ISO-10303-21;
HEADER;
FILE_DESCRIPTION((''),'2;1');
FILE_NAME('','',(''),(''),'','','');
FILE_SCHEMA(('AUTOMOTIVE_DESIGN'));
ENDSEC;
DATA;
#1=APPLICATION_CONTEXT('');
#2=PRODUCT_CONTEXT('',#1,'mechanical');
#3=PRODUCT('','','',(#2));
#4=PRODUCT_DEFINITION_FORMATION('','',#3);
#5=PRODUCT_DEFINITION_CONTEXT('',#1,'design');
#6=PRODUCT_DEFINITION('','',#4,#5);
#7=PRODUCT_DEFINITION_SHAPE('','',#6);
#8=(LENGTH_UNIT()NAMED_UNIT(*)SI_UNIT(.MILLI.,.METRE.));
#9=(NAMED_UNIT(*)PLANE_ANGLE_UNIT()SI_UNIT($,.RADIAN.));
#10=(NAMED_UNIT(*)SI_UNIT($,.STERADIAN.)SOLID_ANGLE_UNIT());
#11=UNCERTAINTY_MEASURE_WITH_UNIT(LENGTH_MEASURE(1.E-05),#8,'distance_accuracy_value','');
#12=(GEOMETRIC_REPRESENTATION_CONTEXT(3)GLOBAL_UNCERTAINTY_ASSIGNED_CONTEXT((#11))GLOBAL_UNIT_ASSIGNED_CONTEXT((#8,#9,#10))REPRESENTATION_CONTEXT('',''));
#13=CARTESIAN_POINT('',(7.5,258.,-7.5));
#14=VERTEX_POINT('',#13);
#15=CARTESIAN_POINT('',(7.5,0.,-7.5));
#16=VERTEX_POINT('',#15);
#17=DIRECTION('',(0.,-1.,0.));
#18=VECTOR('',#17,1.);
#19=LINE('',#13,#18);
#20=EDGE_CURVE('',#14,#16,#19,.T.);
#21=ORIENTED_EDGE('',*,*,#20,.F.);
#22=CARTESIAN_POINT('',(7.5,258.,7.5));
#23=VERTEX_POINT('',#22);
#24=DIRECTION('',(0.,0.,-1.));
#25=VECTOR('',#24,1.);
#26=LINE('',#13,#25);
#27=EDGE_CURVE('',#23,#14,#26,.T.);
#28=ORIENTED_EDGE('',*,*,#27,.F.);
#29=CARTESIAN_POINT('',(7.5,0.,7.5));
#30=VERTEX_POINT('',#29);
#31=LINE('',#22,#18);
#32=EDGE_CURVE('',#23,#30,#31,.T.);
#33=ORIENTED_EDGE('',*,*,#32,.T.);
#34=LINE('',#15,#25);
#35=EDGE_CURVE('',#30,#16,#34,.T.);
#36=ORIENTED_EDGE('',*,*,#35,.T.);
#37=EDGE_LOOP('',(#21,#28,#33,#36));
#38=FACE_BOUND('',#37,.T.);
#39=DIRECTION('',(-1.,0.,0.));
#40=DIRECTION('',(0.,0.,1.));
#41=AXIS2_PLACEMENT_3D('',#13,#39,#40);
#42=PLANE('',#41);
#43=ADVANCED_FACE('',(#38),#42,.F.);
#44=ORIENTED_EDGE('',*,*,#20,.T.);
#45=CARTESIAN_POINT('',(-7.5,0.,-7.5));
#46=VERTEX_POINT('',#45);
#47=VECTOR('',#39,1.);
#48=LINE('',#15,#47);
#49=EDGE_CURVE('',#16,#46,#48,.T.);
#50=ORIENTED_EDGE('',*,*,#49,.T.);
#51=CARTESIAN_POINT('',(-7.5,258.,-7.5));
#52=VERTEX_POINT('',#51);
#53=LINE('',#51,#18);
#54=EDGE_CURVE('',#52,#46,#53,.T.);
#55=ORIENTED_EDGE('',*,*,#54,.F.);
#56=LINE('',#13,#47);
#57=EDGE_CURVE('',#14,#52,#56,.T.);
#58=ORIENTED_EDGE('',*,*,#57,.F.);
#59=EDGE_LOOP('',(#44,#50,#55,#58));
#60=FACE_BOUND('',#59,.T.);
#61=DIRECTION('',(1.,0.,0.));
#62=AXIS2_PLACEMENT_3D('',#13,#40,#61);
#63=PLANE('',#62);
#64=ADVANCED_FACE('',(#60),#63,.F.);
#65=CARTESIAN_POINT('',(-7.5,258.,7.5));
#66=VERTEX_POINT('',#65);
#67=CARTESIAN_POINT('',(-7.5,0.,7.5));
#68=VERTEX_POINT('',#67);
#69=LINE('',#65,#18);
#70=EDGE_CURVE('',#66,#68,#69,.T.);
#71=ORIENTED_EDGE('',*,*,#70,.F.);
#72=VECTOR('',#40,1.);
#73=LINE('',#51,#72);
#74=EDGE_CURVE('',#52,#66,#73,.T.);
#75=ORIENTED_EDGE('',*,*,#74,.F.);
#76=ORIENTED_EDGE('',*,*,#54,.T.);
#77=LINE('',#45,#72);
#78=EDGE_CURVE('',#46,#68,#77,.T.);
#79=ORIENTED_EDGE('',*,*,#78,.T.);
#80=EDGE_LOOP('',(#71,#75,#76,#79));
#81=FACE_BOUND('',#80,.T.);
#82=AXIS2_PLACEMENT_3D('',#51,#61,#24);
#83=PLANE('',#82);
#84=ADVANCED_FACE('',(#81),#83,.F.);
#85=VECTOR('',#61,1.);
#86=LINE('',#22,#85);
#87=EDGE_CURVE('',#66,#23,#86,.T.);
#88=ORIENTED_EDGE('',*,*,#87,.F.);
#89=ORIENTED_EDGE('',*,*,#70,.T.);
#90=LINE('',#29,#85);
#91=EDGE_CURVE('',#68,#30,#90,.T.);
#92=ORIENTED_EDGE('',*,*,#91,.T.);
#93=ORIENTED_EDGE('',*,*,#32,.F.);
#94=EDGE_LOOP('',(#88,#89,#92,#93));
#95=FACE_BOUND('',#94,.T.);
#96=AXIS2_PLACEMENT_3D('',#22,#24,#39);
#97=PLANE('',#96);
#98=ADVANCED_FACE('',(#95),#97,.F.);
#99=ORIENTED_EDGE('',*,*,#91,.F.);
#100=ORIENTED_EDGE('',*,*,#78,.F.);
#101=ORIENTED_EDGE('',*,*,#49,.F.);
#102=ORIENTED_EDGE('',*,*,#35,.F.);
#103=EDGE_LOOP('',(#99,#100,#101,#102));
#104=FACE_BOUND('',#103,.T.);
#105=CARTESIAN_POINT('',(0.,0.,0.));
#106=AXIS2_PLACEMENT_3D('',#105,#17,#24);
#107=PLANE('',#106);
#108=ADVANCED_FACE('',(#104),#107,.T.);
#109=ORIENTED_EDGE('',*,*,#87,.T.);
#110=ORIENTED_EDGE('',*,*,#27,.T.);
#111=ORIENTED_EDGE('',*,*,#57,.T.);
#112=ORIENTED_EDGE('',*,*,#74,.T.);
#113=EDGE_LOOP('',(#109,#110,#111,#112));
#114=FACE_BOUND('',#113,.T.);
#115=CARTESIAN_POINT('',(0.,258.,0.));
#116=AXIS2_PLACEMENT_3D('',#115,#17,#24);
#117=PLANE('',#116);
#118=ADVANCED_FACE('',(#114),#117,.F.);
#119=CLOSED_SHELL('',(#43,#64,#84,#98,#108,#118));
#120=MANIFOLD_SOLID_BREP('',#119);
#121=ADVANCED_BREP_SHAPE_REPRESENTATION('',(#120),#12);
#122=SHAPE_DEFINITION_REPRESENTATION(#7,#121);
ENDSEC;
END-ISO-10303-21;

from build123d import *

# Parameters (mm, degrees)
SKETCH1_W           = 15
SKETCH1_H           = 15
BOSS_EXTRUDE1_DEPTH = 258


with BuildPart() as part:
    # Sketch1 → Boss-Extrude1 (new body)
    with BuildSketch(Plane(origin=(0, 0, 0), x_dir=(1, 0, 0), z_dir=(0, 1, 0))):
        Rectangle(SKETCH1_W, SKETCH1_H)
    extrude(amount=BOSS_EXTRUDE1_DEPTH)


solid = part.part
